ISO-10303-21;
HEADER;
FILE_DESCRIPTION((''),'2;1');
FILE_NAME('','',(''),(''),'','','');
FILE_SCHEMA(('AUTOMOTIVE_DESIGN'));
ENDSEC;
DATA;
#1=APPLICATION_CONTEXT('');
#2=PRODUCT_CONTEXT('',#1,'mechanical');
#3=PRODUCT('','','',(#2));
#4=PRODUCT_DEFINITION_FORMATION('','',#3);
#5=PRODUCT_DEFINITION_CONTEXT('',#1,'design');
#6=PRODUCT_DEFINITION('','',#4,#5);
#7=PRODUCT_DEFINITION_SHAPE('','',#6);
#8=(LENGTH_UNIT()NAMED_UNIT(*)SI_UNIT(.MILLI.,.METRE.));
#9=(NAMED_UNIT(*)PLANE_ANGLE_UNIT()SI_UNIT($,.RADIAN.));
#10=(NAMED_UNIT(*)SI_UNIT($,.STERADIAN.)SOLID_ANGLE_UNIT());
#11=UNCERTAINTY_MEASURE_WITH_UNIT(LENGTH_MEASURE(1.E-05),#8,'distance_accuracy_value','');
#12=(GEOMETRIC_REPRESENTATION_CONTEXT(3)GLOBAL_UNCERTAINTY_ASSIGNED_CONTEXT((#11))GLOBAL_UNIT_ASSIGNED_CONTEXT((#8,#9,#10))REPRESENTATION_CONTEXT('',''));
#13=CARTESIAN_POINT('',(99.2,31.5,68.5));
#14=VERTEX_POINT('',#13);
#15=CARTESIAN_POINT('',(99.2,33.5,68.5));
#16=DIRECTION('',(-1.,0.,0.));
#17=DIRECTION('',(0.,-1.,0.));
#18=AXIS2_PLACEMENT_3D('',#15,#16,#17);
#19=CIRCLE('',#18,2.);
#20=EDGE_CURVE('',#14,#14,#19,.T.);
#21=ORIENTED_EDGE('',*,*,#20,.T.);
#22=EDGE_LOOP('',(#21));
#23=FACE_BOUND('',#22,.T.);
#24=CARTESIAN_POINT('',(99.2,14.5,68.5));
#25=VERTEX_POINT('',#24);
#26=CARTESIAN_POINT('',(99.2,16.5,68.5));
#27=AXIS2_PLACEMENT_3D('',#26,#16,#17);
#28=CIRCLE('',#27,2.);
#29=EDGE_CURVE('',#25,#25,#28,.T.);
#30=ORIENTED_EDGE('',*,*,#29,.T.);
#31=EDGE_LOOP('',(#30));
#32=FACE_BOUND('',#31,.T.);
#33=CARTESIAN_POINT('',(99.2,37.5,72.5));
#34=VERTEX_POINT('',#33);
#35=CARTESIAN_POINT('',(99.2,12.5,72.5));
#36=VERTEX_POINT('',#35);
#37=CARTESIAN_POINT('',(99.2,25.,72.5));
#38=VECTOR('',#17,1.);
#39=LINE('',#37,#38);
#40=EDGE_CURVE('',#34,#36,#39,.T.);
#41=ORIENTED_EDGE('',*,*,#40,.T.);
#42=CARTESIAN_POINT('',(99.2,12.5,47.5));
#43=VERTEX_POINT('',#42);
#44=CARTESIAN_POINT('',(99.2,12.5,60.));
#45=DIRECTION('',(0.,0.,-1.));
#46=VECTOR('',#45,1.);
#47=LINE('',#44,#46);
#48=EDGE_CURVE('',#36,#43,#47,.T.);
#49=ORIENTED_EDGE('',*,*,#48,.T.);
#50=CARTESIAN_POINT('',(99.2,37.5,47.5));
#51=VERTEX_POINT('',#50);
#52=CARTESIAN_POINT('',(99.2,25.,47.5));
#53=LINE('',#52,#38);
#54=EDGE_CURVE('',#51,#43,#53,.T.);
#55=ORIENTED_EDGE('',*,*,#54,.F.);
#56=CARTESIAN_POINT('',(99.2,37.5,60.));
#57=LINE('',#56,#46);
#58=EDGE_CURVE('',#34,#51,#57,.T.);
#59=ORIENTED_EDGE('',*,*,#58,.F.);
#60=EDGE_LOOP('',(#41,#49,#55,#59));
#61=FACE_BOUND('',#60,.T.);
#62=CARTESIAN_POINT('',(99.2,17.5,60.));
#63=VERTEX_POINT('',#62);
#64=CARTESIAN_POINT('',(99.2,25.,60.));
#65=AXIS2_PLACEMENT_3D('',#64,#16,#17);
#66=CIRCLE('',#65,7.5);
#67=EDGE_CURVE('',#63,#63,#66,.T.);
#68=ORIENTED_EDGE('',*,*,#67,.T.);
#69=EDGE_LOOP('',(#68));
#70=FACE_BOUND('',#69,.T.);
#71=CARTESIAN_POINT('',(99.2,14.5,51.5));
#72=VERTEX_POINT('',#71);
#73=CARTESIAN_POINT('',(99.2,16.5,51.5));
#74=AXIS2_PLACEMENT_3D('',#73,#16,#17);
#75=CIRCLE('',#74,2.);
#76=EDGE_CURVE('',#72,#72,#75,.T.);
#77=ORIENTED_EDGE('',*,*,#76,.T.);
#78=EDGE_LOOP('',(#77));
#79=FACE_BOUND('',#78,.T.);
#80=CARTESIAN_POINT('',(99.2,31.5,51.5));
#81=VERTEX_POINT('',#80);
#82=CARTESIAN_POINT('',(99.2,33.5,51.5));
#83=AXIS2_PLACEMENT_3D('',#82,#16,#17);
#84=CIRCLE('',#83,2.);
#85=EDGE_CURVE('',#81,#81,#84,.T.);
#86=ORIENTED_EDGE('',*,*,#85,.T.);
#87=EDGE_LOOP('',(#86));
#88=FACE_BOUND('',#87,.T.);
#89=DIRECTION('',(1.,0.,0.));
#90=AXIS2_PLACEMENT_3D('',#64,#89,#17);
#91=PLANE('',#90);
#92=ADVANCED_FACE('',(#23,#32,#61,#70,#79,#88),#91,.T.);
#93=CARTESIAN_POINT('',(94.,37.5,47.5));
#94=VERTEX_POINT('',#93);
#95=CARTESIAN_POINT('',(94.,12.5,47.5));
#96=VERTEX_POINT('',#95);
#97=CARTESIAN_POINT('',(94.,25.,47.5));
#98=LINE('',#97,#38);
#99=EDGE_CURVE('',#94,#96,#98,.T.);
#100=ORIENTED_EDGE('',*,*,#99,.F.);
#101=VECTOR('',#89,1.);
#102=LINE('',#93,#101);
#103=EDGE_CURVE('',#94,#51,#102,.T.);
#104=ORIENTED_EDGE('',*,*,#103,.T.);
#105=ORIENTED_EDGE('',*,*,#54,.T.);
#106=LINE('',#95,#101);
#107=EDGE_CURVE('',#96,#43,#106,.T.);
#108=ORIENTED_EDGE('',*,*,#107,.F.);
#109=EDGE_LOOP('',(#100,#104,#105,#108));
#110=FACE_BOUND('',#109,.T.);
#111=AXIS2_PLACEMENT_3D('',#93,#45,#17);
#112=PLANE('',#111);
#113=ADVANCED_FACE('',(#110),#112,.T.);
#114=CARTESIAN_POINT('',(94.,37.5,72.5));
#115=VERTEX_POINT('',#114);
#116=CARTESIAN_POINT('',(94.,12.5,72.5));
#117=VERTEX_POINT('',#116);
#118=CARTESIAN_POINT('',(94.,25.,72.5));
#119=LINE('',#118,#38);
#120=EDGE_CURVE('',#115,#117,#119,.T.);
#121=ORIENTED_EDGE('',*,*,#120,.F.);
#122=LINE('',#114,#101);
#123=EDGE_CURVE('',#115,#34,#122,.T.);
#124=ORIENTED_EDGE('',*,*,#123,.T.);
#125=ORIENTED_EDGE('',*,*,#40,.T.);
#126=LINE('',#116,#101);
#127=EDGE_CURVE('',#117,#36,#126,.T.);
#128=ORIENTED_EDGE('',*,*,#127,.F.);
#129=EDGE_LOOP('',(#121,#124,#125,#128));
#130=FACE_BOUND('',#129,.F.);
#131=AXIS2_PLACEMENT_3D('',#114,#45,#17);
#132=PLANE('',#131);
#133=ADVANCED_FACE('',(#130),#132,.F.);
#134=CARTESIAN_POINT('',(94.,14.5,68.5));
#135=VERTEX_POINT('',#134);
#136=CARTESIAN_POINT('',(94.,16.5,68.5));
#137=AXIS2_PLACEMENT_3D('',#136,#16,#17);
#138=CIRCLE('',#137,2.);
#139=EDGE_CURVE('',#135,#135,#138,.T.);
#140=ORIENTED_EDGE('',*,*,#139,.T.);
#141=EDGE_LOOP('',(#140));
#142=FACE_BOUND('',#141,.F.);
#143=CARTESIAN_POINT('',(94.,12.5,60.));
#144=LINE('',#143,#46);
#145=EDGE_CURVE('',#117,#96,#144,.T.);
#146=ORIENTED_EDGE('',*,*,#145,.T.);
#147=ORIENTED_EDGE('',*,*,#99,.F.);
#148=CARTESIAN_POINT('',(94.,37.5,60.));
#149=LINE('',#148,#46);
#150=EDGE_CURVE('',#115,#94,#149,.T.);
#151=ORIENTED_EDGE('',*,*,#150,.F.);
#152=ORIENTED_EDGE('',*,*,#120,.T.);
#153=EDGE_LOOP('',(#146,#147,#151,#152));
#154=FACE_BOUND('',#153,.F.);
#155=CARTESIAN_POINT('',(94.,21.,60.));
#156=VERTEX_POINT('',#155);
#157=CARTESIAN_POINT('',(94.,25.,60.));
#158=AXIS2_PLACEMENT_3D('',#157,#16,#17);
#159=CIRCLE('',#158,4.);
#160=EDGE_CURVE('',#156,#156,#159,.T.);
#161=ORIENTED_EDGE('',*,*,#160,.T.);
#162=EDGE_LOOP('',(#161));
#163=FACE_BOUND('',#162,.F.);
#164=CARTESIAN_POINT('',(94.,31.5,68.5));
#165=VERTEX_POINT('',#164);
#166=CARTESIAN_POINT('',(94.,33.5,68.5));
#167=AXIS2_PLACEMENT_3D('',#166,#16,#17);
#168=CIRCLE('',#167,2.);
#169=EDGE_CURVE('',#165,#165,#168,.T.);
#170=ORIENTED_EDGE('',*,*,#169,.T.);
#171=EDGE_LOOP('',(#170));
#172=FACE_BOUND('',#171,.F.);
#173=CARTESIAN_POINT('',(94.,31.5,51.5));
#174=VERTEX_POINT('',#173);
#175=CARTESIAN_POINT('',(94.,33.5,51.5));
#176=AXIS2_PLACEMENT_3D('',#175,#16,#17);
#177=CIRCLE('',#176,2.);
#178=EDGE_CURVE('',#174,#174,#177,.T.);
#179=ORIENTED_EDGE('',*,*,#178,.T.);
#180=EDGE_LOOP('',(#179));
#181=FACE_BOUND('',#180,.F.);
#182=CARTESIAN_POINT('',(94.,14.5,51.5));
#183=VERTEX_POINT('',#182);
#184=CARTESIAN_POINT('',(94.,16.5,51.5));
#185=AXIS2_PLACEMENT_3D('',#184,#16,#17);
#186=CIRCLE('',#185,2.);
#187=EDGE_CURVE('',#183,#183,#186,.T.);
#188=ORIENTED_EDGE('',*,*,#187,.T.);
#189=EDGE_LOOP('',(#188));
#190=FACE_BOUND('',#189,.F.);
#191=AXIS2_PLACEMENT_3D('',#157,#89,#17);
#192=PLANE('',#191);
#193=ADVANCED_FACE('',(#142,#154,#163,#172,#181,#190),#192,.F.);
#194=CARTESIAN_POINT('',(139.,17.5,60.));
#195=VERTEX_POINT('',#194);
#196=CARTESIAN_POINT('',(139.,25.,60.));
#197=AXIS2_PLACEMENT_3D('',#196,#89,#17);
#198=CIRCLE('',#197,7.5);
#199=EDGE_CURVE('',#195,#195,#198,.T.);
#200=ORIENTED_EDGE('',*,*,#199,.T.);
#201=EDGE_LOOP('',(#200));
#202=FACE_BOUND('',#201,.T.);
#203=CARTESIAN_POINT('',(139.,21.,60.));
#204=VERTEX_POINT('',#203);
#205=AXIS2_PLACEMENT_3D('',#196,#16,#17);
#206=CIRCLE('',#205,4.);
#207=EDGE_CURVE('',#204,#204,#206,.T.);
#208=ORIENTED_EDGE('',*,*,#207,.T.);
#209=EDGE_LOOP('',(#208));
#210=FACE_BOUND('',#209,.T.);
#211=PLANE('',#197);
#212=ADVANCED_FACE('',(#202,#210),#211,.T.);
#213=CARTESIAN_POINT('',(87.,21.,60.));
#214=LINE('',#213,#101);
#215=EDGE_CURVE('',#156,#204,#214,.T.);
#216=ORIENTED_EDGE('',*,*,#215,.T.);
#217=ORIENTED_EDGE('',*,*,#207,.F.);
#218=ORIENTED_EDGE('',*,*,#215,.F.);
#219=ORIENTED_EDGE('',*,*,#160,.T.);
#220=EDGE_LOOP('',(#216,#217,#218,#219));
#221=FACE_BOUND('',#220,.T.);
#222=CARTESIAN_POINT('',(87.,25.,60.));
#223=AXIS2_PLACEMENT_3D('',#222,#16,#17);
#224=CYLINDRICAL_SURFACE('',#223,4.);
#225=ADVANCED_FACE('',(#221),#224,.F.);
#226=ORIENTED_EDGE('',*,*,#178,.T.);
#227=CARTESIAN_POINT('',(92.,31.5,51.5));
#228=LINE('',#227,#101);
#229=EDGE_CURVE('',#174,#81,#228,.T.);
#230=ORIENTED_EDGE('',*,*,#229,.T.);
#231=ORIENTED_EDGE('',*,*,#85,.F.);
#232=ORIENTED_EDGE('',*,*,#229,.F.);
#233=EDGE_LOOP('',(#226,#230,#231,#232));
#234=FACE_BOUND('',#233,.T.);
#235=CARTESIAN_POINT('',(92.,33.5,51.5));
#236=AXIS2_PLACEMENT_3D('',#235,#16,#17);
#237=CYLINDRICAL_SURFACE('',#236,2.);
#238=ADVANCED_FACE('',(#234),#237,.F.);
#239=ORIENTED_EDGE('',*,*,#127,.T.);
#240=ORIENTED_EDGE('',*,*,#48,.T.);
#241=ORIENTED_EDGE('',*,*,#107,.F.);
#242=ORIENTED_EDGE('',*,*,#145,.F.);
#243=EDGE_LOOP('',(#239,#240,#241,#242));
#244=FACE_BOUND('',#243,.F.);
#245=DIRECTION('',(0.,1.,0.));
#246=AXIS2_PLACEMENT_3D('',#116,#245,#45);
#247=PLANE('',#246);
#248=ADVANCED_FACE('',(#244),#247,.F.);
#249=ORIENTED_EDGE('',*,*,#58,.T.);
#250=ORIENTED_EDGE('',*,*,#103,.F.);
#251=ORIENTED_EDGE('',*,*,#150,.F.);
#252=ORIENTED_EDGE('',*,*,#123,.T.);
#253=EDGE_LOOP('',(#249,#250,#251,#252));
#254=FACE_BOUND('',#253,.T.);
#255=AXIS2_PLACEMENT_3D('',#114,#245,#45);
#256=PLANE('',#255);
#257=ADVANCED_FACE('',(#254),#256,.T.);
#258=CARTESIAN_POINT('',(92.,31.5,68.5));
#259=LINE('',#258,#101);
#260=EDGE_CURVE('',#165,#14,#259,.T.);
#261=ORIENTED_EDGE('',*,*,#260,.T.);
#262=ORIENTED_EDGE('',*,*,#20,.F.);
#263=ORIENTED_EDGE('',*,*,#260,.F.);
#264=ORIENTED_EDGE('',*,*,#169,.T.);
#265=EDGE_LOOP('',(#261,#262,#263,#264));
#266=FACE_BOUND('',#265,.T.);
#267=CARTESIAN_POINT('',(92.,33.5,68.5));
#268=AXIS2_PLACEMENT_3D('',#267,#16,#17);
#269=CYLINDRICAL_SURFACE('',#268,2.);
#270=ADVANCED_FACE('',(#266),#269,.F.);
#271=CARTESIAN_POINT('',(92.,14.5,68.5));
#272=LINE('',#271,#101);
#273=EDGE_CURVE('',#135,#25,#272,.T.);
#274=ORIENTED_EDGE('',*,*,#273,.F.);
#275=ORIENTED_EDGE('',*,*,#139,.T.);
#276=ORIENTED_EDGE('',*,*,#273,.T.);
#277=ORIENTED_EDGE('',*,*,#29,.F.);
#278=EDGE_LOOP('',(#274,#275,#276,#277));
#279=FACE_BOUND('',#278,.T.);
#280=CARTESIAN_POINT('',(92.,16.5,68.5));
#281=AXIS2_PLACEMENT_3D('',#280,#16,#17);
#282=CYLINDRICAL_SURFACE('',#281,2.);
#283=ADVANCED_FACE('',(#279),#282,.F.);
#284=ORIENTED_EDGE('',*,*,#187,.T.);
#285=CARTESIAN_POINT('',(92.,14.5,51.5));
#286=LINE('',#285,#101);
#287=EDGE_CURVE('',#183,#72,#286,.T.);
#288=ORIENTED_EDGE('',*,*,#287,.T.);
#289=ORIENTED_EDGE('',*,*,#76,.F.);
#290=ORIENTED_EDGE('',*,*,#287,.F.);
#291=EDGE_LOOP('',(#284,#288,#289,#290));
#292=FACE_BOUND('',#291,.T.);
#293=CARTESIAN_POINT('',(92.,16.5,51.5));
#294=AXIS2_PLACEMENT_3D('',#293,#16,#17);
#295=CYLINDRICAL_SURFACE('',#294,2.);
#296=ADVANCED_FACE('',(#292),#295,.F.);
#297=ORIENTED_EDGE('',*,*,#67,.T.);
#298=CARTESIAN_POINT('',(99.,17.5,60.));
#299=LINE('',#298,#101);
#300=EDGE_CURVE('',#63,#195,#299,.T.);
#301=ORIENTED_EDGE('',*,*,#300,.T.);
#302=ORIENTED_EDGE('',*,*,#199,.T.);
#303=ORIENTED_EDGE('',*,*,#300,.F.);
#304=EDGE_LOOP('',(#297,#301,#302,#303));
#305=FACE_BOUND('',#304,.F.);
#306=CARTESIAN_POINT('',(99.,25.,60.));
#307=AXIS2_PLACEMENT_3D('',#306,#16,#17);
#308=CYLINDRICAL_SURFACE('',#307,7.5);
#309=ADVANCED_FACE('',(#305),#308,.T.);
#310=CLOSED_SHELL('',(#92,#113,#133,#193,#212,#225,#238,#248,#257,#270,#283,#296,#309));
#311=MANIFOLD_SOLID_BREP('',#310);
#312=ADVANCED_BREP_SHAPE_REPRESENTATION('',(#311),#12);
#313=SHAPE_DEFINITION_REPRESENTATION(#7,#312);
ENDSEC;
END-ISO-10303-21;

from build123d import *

# Parameters (mm, degrees)
CYLINDER043_R          = 2
CYLINDER043_DEPTH      = 10
CYLINDER044_R          = 2
CYLINDER044_DEPTH      = 10
CYLINDER042_R          = 2
CYLINDER042_DEPTH      = 10
CYLINDER041_R          = 2
CYLINDER041_DEPTH      = 10
CYLINDER040_R          = 4
CYLINDER040_DEPTH      = 60
CYLINDER045_R          = 7.5
CYLINDER045_DEPTH      = 40
BOX008_W               = 25
BOX008_H               = 25
BOX008_DEPTH           = 5.2
CUT038_ROLL_ANGLE      = -90
CUT038_PLACEMENT_ANGLE = -90


with BuildPart() as cylinder043:
    # Cylinder043 → Cylinder043 (new body)
    with BuildSketch(Plane(origin=(21, 21, -2), x_dir=(1, 0, 0), z_dir=(0, 0, 1))):
        Circle(CYLINDER043_R)
    extrude(amount=CYLINDER043_DEPTH)


with BuildPart() as cylinder044:
    # Cylinder044 → Cylinder044 (new body)
    with BuildSketch(Plane(origin=(21, 4, -2), x_dir=(1, 0, 0), z_dir=(0, 0, 1))):
        Circle(CYLINDER044_R)
    extrude(amount=CYLINDER044_DEPTH)


with BuildPart() as cylinder042:
    # Cylinder042 → Cylinder042 (new body)
    with BuildSketch(Plane(origin=(4, 21, -2), x_dir=(1, 0, 0), z_dir=(0, 0, 1))):
        Circle(CYLINDER042_R)
    extrude(amount=CYLINDER042_DEPTH)


with BuildPart() as cylinder041:
    # Cylinder041 → Cylinder041 (new body)
    with BuildSketch(Plane(origin=(4, 4, -2), x_dir=(1, 0, 0), z_dir=(0, 0, 1))):
        Circle(CYLINDER041_R)
    extrude(amount=CYLINDER041_DEPTH)


with BuildPart() as cylinder040:
    # Cylinder040 → Cylinder040 (new body)
    with BuildSketch(Plane(origin=(12.5, 12.5, -7), x_dir=(1, 0, 0), z_dir=(0, 0, 1))):
        Circle(CYLINDER040_R)
    extrude(amount=CYLINDER040_DEPTH)


with BuildPart() as cylinder045:
    # Cylinder045 → Cylinder045 (new body)
    with BuildSketch(Plane(origin=(12.5, 12.5, 5), x_dir=(1, 0, 0), z_dir=(0, 0, 1))):
        Circle(CYLINDER045_R)
    extrude(amount=CYLINDER045_DEPTH)


with BuildPart() as cut038:
    # Box008 → Box008 (new body)
    with BuildSketch(Plane.XY):
        with Locations((12.5, 12.5)):
            Rectangle(BOX008_W, BOX008_H)
    extrude(amount=BOX008_DEPTH)

    # Fusion009: union Cylinder045
    add(cylinder045.part)

    # Cut037: cut Cylinder040
    add(cylinder040.part, mode=Mode.SUBTRACT)

    # Cut036: cut Cylinder041
    add(cylinder041.part, mode=Mode.SUBTRACT)

    # Cut035: cut Cylinder042
    add(cylinder042.part, mode=Mode.SUBTRACT)

    # Cut034: cut Cylinder044
    add(cylinder044.part, mode=Mode.SUBTRACT)

    # Cut038: cut Cylinder043
    add(cylinder043.part, mode=Mode.SUBTRACT)


with BuildPart() as cut038_1:
    # Cut038 roll: moved
    add(cut038.part.rotate(Axis((0, 0, 0), (1, 0, 0)), CUT038_ROLL_ANGLE))


with BuildPart() as cut038_2:
    # Cut038 placement: moved
    add(cut038_1.part.moved(Location((94, 37.5, 72.5))).rotate(Axis((94, 37.5, 72.5), (0, 0, 1)), CUT038_PLACEMENT_ANGLE))


solid = cut038_2.part
